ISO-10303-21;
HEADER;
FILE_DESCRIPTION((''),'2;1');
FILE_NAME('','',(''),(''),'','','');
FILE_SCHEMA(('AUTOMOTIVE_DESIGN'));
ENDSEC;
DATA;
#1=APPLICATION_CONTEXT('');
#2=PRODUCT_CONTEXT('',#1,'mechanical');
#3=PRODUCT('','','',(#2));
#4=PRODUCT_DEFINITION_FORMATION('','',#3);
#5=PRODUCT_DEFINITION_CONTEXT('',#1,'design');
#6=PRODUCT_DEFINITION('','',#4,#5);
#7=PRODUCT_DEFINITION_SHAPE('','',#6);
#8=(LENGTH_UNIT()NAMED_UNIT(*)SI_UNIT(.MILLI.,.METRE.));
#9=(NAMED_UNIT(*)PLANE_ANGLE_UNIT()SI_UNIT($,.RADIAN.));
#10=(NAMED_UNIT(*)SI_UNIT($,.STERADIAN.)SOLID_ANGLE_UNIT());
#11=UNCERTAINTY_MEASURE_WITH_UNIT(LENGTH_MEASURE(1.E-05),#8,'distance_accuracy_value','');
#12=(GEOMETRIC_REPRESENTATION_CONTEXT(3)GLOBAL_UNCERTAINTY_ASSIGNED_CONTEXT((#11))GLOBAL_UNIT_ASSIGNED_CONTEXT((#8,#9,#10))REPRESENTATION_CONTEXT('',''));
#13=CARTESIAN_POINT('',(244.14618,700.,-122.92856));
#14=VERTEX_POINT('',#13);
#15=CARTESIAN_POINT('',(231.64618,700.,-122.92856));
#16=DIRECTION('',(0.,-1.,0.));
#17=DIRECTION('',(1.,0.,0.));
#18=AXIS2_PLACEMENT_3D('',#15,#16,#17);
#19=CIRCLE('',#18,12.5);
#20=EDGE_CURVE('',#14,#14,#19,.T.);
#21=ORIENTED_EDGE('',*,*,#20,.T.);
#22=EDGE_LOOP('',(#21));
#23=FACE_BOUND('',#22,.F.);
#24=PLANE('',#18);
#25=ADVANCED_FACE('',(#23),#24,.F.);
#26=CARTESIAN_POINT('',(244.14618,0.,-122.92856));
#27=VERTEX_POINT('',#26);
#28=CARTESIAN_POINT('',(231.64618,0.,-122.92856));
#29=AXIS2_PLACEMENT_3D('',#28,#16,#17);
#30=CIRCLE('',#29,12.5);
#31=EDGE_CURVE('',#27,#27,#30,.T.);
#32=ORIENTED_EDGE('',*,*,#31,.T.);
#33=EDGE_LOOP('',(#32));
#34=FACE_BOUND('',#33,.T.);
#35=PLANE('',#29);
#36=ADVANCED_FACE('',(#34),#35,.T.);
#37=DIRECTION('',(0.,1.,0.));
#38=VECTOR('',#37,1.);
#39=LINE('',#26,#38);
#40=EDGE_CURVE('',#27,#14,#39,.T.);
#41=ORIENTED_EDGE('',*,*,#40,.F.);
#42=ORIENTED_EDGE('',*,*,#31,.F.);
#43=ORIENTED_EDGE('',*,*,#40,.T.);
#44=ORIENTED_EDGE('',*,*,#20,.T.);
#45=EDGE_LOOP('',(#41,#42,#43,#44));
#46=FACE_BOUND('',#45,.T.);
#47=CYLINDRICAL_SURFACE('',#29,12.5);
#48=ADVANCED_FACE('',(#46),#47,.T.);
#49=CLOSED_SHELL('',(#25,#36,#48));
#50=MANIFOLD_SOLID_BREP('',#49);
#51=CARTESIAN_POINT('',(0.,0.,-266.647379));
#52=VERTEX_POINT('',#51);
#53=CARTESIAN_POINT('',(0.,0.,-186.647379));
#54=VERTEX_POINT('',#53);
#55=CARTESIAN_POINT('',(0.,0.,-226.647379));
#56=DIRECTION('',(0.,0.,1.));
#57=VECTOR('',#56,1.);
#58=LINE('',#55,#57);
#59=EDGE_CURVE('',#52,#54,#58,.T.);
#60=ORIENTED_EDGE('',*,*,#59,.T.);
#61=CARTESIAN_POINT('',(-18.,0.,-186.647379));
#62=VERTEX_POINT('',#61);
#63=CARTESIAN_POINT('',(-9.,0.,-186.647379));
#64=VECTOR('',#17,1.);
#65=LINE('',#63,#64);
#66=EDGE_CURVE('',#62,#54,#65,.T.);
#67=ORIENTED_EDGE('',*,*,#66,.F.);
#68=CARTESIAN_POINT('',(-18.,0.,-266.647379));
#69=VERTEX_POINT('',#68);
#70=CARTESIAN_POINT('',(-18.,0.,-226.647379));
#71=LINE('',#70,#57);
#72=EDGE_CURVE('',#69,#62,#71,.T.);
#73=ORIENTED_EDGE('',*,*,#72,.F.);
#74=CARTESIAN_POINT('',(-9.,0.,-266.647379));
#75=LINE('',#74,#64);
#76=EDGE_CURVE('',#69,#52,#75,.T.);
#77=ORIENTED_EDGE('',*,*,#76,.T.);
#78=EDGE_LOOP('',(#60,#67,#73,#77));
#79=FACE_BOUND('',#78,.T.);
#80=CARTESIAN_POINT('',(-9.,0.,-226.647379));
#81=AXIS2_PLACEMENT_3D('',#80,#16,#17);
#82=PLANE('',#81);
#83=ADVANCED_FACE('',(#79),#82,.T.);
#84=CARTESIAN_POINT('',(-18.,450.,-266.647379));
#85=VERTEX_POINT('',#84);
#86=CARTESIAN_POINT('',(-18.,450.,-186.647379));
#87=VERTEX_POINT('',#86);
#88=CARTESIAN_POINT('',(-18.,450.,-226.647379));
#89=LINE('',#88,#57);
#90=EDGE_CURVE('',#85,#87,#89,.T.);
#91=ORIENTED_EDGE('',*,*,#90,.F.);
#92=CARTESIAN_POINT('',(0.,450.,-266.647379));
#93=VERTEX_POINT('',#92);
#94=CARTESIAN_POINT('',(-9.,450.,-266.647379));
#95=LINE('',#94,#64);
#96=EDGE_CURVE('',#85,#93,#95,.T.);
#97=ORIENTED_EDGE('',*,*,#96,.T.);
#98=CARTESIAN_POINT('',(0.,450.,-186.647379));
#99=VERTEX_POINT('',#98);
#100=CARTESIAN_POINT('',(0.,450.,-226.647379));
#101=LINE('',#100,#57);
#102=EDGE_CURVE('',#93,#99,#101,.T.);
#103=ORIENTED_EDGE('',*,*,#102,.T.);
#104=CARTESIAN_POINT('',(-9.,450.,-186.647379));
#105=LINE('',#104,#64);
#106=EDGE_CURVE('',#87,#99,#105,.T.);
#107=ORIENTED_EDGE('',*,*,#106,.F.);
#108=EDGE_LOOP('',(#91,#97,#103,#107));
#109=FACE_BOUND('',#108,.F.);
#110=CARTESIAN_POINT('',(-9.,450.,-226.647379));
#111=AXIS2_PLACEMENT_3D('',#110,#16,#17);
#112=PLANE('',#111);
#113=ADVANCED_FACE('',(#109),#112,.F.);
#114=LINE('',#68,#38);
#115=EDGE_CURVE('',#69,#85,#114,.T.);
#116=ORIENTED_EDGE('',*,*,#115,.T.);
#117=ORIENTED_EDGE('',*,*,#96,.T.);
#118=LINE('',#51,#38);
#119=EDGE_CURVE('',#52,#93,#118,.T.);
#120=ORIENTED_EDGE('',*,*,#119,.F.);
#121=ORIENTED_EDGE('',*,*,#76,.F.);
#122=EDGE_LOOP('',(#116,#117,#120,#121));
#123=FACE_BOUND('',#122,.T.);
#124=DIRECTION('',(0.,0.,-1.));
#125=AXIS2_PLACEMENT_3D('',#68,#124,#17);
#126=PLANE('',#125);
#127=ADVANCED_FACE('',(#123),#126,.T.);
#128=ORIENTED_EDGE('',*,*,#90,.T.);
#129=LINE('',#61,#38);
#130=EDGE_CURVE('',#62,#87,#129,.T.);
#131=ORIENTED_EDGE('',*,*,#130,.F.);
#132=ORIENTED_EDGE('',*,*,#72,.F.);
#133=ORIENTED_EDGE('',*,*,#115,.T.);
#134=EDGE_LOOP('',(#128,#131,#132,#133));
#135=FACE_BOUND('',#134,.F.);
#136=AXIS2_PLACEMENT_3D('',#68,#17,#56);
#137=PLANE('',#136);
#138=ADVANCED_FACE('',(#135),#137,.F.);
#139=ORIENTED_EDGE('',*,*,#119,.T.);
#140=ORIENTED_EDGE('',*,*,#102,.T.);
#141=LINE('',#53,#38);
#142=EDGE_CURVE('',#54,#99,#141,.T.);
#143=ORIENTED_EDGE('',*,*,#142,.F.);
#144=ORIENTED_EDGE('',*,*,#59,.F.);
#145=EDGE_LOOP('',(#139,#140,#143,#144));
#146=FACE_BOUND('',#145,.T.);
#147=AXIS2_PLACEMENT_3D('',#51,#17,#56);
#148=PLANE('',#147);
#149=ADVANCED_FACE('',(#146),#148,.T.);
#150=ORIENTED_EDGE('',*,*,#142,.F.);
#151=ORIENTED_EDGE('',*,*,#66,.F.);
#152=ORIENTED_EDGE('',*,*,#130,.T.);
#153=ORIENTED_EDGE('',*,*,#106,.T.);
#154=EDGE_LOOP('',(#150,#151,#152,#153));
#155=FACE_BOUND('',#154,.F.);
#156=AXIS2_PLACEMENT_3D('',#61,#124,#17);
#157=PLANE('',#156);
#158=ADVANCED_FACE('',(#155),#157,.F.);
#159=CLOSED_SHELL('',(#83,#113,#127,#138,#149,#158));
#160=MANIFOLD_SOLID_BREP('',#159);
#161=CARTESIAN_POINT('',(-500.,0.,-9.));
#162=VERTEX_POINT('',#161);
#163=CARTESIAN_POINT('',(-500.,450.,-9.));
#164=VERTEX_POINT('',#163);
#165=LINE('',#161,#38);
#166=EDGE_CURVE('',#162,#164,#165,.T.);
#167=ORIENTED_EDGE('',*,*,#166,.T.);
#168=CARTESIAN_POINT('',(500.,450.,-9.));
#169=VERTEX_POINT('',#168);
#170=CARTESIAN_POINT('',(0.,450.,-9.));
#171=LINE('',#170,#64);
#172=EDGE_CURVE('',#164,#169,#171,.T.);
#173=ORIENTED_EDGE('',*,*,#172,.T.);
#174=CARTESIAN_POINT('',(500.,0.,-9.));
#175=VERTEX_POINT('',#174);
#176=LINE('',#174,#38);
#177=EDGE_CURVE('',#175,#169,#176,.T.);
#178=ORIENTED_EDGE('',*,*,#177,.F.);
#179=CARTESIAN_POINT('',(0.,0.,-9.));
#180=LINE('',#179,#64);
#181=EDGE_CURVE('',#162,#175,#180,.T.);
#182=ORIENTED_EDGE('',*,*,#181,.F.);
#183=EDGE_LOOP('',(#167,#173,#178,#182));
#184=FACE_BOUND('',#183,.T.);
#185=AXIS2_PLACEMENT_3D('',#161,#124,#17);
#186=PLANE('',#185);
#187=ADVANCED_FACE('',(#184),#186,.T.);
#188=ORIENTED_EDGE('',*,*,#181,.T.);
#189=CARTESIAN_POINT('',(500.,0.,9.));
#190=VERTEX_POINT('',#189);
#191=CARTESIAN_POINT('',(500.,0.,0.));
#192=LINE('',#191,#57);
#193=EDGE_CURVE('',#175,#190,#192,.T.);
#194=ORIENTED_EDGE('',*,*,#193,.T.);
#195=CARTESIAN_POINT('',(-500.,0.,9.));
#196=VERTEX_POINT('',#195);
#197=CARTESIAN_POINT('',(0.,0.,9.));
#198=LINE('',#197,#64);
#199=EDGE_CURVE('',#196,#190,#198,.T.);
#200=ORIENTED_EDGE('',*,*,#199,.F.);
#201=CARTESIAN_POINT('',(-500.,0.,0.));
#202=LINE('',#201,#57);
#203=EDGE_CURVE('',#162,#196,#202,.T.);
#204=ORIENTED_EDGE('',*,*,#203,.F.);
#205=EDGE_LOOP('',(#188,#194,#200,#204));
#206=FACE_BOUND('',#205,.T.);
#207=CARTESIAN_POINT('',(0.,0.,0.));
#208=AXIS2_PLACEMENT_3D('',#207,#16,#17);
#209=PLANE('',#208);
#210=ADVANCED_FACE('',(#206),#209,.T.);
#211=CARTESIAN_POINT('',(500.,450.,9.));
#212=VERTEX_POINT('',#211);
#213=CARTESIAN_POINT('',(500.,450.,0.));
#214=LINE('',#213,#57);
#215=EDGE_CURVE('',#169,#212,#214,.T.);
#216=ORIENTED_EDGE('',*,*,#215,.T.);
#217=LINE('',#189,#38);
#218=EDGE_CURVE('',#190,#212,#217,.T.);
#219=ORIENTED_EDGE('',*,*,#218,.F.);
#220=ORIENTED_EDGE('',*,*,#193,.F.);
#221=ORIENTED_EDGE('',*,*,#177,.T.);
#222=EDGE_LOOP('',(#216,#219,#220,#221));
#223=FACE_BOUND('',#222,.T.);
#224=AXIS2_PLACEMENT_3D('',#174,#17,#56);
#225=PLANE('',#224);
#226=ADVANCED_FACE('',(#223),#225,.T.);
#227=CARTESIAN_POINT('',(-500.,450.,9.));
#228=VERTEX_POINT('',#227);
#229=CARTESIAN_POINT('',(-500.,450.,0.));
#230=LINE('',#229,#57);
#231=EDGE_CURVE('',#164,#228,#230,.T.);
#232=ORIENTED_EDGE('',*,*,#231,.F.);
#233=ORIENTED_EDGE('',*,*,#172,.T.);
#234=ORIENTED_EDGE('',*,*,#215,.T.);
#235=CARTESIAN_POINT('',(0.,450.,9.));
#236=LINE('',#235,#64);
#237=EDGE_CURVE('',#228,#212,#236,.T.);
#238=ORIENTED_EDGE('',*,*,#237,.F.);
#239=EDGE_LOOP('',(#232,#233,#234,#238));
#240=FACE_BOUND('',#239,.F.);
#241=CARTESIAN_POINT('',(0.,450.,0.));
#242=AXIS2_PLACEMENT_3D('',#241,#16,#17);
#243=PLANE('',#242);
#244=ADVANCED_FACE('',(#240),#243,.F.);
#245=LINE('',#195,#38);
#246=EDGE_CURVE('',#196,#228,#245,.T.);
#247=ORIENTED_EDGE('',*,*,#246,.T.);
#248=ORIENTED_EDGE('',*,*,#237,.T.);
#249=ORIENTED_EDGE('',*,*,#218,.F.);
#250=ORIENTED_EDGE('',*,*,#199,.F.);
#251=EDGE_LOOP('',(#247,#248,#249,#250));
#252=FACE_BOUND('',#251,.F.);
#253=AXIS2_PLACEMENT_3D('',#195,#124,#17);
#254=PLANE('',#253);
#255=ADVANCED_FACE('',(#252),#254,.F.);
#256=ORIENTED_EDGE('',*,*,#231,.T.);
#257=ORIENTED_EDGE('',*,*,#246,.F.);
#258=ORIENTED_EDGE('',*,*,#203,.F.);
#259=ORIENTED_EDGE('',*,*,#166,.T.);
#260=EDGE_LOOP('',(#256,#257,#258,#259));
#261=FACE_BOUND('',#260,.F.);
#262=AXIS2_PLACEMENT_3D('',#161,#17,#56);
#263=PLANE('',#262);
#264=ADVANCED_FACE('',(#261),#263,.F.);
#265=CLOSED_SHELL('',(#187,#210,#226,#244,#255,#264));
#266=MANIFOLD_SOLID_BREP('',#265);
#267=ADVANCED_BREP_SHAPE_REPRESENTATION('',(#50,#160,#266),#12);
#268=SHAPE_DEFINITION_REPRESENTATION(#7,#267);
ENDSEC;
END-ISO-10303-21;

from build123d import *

# Parameters (mm, degrees)
F0_W     = 1000
F0_H     = 18
F1_DEPTH = 450
F2_W     = 18
F2_H     = 80
F3_DEPTH = 450
F4_R     = 12.5
F5_DEPTH = 700


with BuildPart() as f1:
    # F0 (on Front) → F1 (new body)
    with BuildSketch(Plane.XZ):
        Rectangle(F0_W, F0_H)
    extrude(amount=-F1_DEPTH)


with BuildPart() as f3:
    # F2 (on Front) → F3 (new body)
    with BuildSketch(Plane.XZ):
        with Locations((-9, -226.647379)):
            Rectangle(F2_W, F2_H)
    extrude(amount=-F3_DEPTH)


with BuildPart() as f5:
    # F4 (on Front) → F5 (new body)
    with BuildSketch(Plane.XZ):
        with Locations((231.64618, -122.92856)):
            Circle(F4_R)
    extrude(amount=-F5_DEPTH)


solid = Compound([f1.part, f3.part, f5.part])
